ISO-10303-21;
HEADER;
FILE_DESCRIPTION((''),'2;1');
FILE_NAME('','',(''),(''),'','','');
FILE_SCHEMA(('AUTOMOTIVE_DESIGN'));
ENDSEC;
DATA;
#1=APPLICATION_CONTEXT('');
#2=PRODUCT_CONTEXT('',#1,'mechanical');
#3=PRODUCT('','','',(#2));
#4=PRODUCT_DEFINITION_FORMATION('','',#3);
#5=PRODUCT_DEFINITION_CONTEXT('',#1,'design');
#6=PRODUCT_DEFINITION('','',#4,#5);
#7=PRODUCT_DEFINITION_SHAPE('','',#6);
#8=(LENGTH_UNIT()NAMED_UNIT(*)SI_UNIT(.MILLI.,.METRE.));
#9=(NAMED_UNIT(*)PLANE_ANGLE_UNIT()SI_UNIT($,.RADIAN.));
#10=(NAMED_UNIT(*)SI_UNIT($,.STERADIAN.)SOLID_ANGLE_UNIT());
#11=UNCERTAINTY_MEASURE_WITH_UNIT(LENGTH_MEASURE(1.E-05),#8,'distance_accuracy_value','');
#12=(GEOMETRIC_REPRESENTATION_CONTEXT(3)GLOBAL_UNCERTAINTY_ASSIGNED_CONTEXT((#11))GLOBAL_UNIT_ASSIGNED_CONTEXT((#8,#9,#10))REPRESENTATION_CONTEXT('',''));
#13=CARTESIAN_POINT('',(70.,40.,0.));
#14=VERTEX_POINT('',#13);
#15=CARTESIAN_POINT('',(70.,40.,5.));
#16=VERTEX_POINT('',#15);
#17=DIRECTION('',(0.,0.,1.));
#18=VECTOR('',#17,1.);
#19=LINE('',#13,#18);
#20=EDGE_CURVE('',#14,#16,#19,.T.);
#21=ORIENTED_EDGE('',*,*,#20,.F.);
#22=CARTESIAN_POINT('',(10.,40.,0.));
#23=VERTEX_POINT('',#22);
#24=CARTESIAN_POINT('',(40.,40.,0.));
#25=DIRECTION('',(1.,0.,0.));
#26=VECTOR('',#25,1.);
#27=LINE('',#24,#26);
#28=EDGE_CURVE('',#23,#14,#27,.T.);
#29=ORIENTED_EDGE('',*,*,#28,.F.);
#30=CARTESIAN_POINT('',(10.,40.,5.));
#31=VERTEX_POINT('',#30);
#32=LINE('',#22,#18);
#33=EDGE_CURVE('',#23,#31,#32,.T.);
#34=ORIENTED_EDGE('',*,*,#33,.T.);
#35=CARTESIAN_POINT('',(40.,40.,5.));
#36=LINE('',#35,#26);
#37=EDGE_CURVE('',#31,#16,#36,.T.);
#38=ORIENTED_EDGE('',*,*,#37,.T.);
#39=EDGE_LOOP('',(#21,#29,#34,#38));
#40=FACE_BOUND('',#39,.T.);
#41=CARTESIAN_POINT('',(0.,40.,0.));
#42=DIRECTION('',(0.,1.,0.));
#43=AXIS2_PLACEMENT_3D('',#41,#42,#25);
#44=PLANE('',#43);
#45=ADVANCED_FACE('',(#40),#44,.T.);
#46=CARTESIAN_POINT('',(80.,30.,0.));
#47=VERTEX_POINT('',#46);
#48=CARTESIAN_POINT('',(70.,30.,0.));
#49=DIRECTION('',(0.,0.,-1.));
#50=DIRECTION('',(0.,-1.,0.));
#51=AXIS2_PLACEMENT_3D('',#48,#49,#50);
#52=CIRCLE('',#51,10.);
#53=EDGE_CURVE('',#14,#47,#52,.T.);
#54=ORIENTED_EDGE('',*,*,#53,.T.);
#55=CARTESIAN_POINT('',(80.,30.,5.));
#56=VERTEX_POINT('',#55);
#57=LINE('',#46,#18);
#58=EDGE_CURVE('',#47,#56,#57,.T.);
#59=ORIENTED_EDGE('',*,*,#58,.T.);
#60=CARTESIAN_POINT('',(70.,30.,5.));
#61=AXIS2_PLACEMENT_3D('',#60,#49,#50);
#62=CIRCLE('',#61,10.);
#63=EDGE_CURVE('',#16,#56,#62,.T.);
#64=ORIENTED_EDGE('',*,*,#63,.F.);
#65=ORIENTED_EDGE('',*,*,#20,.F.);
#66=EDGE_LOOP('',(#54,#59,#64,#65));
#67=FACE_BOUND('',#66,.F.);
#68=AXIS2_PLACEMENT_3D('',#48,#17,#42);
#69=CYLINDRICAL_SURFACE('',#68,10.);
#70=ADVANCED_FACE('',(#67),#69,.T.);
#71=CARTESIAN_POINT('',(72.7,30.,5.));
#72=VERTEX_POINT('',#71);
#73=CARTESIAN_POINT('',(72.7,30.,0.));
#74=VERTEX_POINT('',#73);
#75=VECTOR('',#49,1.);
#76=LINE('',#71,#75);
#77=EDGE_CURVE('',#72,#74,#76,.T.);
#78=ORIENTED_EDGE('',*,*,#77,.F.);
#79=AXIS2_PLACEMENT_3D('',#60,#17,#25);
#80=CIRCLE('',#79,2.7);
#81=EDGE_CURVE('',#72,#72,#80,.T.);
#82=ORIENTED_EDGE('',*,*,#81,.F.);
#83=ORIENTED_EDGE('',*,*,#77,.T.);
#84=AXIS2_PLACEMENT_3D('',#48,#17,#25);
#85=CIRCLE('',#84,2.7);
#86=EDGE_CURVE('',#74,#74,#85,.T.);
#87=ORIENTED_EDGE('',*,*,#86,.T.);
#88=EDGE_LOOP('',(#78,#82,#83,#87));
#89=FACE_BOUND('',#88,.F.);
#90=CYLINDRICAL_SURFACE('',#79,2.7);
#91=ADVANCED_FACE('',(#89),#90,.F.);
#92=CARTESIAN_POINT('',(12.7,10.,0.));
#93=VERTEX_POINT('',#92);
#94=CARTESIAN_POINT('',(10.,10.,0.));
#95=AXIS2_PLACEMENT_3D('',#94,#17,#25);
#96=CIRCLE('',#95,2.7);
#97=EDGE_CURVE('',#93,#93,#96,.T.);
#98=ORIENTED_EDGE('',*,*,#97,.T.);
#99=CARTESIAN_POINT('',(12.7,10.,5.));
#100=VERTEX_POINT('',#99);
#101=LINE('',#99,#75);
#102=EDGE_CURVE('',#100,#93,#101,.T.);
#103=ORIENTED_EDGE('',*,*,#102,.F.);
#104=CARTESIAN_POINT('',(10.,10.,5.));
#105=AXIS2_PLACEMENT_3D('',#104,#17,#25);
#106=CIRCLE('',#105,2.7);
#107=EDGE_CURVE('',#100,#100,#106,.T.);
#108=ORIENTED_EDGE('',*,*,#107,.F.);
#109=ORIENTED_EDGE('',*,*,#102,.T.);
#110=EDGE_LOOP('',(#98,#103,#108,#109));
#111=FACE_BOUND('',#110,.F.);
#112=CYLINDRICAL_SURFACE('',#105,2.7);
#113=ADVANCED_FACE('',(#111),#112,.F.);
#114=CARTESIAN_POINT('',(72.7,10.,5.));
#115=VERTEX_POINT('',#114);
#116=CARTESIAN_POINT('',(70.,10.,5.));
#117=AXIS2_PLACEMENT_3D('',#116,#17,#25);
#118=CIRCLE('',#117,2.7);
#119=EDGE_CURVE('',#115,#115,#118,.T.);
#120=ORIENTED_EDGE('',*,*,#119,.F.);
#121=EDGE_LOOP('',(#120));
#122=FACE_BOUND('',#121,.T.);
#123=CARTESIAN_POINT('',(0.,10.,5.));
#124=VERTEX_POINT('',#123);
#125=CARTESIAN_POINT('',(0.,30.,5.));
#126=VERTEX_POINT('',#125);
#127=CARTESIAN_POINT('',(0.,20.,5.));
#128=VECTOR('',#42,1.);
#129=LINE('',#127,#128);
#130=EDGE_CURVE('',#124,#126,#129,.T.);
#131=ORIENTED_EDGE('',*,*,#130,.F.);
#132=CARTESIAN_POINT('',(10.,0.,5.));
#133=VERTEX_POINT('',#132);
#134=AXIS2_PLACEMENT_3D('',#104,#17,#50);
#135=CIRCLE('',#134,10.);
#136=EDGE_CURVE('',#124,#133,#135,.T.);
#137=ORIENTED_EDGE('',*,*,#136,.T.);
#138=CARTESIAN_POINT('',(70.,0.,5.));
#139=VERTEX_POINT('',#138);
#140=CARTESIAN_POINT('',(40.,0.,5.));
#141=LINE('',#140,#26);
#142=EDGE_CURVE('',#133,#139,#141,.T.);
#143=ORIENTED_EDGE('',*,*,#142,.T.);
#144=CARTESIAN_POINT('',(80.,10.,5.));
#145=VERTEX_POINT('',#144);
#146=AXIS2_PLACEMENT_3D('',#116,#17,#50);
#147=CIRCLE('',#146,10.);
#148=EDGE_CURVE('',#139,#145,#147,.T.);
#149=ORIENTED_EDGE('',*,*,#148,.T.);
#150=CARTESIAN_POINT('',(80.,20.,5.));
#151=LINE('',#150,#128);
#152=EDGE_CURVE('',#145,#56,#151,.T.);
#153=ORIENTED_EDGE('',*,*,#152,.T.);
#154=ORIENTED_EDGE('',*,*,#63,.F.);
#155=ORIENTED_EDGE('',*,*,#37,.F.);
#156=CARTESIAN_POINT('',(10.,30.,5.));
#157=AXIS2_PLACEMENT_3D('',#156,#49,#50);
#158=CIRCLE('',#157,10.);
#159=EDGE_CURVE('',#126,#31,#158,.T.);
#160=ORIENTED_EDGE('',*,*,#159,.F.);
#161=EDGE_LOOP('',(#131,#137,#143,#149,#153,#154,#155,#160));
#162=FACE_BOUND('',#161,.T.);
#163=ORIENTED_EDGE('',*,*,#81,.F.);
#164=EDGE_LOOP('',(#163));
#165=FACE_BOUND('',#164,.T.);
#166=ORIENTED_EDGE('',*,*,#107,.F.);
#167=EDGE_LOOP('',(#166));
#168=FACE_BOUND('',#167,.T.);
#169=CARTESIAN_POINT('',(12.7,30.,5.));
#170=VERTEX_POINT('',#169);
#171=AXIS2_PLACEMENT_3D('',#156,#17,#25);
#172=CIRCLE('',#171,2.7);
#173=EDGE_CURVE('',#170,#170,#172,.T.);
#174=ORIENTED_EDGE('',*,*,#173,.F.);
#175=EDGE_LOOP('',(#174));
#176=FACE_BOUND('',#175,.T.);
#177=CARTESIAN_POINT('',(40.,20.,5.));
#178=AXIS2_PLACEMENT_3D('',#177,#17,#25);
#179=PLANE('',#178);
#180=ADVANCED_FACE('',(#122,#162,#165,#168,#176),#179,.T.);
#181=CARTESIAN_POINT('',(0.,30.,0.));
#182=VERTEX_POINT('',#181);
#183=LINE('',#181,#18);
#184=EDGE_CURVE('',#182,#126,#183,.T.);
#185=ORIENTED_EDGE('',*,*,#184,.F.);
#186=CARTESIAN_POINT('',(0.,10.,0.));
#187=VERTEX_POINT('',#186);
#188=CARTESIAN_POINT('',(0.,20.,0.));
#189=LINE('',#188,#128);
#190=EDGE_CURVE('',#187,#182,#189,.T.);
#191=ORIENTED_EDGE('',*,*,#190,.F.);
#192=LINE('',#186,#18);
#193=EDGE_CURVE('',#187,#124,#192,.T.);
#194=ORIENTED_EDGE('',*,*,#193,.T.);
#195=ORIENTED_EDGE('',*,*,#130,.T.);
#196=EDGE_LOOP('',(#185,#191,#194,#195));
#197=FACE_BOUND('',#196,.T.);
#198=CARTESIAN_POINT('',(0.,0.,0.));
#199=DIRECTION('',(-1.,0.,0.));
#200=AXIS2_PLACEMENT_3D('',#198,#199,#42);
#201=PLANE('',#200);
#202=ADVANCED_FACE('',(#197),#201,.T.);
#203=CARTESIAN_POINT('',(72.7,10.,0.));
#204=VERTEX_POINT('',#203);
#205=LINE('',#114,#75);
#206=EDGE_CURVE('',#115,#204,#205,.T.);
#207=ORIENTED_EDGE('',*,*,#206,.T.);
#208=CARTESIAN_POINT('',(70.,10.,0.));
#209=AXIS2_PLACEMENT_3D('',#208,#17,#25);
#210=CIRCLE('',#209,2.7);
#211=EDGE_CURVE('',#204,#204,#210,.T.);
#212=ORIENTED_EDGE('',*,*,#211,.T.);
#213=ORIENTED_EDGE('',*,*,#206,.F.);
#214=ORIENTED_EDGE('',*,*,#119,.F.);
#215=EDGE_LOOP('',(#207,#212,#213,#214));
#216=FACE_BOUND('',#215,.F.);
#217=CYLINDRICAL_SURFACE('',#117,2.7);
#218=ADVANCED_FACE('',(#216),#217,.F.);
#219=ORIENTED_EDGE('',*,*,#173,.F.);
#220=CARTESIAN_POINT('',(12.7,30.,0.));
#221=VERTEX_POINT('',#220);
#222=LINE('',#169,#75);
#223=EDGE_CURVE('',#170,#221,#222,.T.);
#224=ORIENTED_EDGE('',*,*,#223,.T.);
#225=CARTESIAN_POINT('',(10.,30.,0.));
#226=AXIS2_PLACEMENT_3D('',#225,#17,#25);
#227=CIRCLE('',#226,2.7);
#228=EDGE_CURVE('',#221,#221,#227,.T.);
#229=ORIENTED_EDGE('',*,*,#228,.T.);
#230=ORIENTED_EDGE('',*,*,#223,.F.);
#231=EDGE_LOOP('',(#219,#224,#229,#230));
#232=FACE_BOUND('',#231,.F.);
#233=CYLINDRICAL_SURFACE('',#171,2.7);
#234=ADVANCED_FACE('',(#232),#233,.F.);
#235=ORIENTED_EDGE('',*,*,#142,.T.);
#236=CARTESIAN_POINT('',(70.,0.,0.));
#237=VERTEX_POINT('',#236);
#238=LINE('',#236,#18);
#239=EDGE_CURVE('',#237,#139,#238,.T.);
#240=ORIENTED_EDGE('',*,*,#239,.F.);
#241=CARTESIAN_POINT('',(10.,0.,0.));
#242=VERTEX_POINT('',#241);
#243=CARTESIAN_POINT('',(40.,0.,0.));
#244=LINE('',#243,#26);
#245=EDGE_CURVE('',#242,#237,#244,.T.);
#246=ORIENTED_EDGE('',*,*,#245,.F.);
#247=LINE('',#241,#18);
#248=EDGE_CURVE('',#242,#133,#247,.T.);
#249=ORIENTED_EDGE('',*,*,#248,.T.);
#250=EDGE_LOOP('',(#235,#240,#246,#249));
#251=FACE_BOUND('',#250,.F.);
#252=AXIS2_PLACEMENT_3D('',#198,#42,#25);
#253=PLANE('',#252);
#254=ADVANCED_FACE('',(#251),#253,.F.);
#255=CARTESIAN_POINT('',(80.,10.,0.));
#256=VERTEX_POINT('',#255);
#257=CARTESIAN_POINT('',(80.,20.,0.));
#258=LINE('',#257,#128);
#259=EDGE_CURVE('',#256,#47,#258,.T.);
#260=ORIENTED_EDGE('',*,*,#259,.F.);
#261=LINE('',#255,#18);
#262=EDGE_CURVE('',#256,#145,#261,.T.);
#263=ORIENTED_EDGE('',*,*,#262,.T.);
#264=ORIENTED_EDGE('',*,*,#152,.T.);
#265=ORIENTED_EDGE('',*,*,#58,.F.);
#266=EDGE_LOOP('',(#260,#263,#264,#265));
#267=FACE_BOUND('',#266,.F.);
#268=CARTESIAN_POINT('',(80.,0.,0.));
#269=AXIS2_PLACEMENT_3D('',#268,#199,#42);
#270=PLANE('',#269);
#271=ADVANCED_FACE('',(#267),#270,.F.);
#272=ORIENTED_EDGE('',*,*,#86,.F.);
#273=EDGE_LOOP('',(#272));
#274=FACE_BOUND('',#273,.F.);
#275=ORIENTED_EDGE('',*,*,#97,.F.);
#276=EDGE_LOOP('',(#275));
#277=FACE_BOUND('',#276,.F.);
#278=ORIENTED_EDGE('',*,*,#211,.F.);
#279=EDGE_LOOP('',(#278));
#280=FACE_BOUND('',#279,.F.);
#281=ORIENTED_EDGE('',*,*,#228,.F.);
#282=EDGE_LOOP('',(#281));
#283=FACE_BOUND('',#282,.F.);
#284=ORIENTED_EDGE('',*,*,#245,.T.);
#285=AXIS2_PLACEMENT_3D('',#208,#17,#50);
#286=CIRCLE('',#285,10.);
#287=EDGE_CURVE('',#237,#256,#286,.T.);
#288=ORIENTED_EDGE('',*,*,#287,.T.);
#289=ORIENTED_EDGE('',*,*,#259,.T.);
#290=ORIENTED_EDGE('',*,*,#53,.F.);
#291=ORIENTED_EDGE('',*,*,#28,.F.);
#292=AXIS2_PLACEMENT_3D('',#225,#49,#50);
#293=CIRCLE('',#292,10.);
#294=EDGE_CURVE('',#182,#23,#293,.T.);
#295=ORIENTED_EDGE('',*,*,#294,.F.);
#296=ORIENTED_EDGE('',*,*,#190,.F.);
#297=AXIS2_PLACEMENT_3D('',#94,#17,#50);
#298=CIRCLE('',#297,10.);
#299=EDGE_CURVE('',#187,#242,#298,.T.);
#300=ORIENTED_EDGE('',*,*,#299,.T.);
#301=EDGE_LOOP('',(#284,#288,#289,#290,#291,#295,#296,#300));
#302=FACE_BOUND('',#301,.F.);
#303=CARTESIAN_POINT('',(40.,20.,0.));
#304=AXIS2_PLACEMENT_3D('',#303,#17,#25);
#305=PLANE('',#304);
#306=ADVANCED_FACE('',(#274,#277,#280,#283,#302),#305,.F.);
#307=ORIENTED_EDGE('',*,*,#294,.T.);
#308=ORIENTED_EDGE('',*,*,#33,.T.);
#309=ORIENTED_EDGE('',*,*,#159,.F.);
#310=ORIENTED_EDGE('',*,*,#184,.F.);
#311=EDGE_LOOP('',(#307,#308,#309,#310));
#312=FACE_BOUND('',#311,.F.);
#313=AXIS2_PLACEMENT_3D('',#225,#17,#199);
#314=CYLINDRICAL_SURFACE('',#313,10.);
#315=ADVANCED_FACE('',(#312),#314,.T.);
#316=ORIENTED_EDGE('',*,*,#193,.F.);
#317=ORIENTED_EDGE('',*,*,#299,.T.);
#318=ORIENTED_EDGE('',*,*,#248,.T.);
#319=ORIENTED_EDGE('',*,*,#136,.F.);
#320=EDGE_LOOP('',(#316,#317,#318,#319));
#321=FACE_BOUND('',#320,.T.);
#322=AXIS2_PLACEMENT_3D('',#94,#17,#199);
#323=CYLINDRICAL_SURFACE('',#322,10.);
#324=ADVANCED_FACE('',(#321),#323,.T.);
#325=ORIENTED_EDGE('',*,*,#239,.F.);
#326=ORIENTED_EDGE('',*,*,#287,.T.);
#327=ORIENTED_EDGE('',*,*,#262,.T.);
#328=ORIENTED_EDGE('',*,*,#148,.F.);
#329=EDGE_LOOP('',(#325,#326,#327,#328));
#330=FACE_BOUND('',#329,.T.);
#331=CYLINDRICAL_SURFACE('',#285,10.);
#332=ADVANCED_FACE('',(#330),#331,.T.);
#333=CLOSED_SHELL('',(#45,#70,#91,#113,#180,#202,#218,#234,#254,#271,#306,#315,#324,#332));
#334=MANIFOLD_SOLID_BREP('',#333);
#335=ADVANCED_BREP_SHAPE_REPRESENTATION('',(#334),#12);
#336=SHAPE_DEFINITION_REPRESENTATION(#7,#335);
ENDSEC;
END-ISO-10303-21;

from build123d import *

# Parameters (mm, degrees)
SKETCH097_W     = 80
SKETCH097_H     = 40
PAD078_DEPTH    = 5
SKETCH098_R     = 2.7
POCKET023_DEPTH = 5.001
FILLET012_R     = 10


with BuildPart() as part:
    # Sketch097 → Pad078 (new body)
    with BuildSketch(Plane.XY):
        with Locations((40, 20)):
            Rectangle(SKETCH097_W, SKETCH097_H)
    extrude(amount=PAD078_DEPTH)

    # Sketch098 (on Face6 of Pad078) → Pocket023 (cut, through all)
    with BuildSketch(Plane.XY.offset(5)):
        with Locations((10, 30)):
            Circle(SKETCH098_R)
        with Locations((10, 10)):
            Circle(SKETCH098_R)
        with Locations((70, 30)):
            Circle(SKETCH098_R)
        with Locations((70, 10)):
            Circle(SKETCH098_R)
    extrude(amount=-POCKET023_DEPTH, mode=Mode.SUBTRACT)

    # Fillet012
    fillet012_edges = [part.edges().sort_by_distance(p)[0] for p in [
        (0, 0, 2.5),
        (0, 40, 2.5),
        (80, 0, 2.5),
        (80, 40, 2.5),
    ]]
    fillet(fillet012_edges, radius=FILLET012_R)


solid = part.part
